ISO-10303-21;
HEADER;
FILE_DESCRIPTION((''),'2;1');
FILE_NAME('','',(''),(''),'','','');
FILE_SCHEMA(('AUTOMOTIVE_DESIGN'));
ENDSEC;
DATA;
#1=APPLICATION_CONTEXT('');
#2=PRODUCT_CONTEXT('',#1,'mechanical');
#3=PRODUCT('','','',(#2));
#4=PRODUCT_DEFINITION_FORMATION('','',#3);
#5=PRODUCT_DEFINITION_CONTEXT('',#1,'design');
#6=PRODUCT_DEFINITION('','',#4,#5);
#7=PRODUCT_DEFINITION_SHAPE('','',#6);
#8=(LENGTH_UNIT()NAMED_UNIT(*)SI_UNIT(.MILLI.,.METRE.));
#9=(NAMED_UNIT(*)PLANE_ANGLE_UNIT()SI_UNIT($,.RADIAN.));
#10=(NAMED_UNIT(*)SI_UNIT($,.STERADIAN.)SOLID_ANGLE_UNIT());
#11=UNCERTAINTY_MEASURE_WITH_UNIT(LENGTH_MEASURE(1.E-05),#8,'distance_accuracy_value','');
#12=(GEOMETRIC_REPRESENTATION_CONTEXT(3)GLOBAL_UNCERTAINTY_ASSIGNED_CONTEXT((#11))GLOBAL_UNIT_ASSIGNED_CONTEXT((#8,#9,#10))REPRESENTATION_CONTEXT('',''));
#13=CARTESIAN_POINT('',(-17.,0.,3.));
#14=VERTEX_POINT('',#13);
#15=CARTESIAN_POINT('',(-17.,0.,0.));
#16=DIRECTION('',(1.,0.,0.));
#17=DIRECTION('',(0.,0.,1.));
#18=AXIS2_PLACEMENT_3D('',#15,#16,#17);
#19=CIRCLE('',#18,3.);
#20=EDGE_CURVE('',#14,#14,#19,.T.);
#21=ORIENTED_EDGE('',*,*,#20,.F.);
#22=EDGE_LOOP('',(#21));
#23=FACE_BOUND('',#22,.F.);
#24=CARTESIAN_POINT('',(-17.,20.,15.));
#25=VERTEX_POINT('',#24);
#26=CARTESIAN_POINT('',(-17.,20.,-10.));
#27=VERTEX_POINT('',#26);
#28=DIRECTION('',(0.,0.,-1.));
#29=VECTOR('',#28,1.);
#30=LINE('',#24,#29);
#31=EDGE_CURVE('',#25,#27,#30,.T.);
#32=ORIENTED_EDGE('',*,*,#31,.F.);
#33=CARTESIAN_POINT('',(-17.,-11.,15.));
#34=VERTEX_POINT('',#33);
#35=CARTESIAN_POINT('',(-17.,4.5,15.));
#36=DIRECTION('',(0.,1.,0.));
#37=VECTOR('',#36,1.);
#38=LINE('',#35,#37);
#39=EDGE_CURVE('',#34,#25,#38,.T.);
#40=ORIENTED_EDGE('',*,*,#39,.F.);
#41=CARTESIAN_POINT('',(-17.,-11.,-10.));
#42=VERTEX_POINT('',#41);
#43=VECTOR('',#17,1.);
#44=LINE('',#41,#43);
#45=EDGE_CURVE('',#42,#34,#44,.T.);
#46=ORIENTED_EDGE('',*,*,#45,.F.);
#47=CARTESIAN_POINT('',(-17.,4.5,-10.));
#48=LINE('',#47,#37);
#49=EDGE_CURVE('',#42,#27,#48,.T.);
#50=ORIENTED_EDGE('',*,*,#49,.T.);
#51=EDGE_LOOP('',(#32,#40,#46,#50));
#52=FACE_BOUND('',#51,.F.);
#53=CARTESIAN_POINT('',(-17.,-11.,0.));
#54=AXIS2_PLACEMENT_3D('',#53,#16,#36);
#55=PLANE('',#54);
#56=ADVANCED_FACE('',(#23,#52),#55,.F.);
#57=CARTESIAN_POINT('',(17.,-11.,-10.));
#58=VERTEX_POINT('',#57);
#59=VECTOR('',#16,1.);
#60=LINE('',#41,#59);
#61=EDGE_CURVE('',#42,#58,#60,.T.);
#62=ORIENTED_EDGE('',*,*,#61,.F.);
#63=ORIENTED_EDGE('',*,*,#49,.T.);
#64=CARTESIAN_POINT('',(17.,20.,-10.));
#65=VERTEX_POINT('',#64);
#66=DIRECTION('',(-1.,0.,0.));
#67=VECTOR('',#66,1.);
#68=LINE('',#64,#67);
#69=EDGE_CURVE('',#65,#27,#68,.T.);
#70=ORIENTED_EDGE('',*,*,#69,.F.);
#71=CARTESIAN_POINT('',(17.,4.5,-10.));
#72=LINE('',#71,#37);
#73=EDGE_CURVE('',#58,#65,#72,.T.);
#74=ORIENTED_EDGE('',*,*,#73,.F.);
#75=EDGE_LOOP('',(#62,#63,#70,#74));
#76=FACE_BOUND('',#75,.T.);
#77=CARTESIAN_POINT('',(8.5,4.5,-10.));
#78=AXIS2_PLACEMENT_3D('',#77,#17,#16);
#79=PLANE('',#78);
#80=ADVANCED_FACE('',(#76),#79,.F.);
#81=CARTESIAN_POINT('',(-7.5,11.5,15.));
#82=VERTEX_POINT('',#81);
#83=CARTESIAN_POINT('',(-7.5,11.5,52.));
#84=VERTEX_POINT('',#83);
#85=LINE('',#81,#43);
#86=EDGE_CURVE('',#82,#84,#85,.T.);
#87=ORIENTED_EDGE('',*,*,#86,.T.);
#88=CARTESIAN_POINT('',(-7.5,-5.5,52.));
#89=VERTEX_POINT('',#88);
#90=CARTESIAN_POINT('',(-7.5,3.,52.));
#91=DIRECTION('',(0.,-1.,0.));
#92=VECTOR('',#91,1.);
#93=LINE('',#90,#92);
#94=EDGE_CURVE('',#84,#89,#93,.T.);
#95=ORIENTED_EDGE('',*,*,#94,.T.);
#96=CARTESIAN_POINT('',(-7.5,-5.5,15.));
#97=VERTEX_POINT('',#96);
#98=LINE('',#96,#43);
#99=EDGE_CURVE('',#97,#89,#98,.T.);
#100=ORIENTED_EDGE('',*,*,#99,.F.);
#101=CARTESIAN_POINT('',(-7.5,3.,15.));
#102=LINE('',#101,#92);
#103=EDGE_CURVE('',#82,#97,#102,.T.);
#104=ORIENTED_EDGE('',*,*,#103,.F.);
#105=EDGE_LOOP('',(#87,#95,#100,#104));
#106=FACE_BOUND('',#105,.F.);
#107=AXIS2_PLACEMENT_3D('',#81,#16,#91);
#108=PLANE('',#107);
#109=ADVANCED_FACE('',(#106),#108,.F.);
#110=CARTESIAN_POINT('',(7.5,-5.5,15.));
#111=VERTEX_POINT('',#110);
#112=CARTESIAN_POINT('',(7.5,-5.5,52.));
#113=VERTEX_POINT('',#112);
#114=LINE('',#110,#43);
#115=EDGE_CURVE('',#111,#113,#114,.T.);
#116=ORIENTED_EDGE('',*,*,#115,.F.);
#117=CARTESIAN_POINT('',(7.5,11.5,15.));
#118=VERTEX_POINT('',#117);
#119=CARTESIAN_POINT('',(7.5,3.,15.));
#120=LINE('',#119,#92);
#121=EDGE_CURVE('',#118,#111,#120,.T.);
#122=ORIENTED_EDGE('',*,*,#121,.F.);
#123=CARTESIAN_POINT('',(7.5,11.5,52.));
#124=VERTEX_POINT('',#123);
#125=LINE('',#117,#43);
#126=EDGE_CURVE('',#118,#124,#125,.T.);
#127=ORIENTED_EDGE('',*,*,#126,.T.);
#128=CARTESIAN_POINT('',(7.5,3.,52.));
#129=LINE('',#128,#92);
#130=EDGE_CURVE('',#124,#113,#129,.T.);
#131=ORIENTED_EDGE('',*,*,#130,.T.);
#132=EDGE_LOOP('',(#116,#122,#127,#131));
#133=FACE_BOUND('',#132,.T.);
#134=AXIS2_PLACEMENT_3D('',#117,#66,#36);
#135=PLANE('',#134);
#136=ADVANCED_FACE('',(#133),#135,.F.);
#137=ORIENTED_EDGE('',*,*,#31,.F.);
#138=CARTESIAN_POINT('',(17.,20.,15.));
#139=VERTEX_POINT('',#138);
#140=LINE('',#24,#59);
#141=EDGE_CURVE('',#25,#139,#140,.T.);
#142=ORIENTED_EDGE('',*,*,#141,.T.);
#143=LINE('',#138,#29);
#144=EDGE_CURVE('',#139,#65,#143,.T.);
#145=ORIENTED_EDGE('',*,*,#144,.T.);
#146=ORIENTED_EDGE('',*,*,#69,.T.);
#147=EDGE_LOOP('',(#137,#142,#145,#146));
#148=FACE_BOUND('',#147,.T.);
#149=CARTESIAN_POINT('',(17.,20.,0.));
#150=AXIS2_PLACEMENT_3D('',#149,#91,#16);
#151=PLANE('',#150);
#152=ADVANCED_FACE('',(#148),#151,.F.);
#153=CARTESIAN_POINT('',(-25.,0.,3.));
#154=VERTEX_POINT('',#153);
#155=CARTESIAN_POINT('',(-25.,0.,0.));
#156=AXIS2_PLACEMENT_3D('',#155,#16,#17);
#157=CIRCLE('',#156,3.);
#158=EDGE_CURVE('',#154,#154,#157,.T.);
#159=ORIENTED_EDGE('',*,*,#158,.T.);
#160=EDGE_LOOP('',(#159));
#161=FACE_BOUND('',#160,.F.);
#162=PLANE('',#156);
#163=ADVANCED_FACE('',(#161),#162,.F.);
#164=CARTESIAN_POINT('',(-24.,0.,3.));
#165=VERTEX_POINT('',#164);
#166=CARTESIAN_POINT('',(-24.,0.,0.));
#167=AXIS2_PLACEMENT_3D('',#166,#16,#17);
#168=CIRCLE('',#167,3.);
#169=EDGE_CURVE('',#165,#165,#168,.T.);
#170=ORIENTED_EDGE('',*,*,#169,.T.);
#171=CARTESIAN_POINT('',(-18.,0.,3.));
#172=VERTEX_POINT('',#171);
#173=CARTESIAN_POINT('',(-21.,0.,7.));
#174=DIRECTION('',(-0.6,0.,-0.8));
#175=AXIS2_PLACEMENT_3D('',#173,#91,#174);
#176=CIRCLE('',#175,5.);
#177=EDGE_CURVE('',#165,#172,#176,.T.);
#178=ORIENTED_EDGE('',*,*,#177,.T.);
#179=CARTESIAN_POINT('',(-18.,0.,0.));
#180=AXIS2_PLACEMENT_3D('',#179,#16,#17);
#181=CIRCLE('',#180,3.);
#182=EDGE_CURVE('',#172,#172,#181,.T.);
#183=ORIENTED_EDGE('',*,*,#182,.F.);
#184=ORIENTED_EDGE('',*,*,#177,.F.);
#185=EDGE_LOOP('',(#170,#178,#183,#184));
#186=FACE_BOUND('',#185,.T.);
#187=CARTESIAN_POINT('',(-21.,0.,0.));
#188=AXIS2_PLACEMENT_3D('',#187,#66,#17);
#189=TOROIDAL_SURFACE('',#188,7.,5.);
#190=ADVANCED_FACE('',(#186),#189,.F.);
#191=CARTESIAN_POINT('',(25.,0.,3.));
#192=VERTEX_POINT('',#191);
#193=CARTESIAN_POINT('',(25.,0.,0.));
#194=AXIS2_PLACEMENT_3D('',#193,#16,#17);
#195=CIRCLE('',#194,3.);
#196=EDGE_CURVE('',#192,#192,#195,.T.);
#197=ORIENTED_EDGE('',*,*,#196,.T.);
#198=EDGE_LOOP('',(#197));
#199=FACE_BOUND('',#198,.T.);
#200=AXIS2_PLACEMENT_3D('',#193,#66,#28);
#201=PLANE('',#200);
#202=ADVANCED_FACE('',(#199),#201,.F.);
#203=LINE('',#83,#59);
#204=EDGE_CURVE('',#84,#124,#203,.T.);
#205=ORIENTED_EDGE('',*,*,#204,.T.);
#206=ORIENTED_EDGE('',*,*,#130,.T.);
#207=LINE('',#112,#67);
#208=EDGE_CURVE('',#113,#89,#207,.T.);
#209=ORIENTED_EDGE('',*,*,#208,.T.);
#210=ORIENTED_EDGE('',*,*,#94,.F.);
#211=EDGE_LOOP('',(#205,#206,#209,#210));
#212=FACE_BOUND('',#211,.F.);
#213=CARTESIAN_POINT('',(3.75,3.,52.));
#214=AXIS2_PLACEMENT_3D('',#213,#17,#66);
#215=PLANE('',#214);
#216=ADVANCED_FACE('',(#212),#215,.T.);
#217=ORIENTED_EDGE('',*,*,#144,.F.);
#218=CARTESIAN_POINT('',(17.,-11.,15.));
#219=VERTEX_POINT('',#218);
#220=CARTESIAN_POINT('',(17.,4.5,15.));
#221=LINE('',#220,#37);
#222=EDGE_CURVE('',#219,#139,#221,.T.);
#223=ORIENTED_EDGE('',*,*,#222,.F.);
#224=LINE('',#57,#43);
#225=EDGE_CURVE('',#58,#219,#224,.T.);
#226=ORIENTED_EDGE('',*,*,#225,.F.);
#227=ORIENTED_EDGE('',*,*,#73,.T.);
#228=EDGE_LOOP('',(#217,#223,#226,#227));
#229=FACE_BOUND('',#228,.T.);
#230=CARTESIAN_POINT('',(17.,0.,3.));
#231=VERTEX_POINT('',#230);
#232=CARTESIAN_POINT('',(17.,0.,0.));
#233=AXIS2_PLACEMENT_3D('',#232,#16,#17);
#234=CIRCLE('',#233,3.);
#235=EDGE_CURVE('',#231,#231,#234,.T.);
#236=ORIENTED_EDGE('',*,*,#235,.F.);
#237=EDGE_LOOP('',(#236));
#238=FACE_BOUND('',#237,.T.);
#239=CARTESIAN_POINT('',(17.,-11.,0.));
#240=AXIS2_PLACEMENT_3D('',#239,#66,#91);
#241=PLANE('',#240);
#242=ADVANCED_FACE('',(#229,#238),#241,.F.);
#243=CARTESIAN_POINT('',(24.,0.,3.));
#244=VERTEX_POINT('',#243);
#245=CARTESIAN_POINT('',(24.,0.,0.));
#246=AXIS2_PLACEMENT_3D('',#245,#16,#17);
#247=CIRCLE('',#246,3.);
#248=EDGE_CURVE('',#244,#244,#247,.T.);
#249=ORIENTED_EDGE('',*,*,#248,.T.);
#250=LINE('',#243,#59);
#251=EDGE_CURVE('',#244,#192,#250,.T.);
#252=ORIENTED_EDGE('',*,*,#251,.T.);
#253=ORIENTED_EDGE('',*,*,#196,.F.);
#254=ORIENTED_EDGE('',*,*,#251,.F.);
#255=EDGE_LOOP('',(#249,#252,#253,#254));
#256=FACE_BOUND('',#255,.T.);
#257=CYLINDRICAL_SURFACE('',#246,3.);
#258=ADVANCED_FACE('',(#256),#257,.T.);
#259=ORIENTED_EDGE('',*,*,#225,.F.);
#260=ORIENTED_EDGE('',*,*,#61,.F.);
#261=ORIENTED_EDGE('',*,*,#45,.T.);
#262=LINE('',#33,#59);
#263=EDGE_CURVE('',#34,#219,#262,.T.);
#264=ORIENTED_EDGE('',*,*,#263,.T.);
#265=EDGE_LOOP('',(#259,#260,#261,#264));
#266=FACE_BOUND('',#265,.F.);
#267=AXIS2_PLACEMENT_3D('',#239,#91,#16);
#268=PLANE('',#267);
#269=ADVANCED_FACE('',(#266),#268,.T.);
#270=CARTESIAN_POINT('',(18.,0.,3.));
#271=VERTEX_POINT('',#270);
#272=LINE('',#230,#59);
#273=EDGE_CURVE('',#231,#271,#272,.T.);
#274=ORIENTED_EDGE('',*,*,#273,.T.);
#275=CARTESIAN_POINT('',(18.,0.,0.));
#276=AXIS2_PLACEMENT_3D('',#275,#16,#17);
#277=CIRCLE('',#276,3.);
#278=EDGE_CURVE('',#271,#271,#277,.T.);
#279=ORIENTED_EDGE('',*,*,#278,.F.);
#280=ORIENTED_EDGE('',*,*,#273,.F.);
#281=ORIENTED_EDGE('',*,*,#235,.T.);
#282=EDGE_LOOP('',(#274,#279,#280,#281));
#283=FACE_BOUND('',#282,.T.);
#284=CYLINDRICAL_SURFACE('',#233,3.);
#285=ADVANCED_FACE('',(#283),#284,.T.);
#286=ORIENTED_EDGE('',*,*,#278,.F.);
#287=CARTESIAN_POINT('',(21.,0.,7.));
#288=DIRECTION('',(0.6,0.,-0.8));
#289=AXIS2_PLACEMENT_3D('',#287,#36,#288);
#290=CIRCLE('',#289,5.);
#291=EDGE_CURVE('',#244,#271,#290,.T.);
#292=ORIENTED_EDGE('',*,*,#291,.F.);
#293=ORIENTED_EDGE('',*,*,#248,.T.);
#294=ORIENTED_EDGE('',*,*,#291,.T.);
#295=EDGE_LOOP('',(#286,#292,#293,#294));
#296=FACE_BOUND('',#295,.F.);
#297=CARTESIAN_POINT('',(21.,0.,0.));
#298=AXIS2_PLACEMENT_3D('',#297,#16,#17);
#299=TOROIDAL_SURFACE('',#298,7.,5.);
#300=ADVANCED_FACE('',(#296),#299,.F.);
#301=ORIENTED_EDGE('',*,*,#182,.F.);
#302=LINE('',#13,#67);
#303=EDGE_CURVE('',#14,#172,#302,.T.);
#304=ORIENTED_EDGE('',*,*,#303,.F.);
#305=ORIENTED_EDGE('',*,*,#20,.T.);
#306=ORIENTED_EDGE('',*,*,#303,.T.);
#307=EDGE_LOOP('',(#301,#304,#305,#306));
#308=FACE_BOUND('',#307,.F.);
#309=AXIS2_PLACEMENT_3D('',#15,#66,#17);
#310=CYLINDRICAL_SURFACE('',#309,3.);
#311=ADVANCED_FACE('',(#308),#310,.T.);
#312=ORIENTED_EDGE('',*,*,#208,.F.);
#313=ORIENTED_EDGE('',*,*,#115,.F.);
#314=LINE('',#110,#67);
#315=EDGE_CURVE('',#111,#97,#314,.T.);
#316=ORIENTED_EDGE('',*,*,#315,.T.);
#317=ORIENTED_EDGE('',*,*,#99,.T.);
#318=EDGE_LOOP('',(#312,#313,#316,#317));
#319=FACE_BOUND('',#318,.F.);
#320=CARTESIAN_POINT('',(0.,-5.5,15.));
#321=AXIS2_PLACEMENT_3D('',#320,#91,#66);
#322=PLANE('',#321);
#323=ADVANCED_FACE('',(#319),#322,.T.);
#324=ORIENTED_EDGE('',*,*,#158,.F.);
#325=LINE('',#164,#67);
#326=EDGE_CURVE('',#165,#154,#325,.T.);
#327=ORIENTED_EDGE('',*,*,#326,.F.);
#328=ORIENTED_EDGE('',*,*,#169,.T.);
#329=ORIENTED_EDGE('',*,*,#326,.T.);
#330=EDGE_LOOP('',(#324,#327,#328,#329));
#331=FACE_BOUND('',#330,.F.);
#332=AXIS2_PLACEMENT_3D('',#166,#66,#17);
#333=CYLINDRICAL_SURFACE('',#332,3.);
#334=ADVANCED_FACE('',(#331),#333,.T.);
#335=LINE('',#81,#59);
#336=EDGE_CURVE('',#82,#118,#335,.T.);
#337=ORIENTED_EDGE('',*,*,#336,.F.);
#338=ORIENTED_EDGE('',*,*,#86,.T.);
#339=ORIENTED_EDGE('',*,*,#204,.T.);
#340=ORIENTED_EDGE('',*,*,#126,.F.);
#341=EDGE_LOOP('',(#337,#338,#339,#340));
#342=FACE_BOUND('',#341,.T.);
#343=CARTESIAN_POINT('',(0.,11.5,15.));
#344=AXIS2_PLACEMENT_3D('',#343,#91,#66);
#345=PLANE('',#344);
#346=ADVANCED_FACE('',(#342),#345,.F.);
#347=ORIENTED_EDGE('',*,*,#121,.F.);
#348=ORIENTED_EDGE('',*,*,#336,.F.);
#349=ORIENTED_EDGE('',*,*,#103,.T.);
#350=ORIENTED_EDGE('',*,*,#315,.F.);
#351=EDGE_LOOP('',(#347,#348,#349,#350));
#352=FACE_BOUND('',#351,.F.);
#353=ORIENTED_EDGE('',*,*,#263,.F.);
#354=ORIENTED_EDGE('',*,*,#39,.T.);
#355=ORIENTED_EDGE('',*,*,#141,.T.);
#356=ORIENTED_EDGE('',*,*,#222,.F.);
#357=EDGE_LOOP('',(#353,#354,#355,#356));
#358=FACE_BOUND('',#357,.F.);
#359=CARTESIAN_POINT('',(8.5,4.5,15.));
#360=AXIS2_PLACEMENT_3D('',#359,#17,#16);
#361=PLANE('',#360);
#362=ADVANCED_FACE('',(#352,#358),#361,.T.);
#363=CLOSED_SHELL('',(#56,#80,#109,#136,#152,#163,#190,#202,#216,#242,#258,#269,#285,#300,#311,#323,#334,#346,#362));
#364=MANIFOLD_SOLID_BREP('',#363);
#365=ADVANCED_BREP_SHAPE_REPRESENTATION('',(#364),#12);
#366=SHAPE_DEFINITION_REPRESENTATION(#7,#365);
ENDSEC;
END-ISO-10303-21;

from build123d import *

# Parameters (mm, degrees)
SKETCH016_W       = 17
SKETCH016_H       = 31
PAD011_DEPTH      = 15
PAD011_DEPTH_BACK = 10
SKETCH017_W       = 7.5
SKETCH017_H       = 17
PAD012_DEPTH      = 37


with BuildPart() as part:
    # Sketch014 → Revolution002 (revolve)
    with BuildSketch(Plane.XZ):
        with BuildLine():
            Line((-24, 3), (-25, 3))
            Line((-25, 3), (-25, 0))
            Line((-25, 0), (-17, 0))
            Line((-17, 0), (-17, 3))
            Line((-17, 3), (-18, 3))
            ThreePointArc((-24, 3), (-21, 2), (-18, 3))
        make_face()
    revolve(axis=Axis((0, 0, 0), (1, 0, 0)))

    # Sketch016 → Pad011 (new body, two sides)
    with BuildSketch(Plane.XY) as pad011_sk:
        with Locations((-8.5, 4.5)):
            Rectangle(SKETCH016_W, SKETCH016_H)
    extrude(amount=PAD011_DEPTH)
    extrude(pad011_sk.sketch, amount=-PAD011_DEPTH_BACK)

    # Sketch017 (on Face8 of Pad011) → Pad012 (join)
    with BuildSketch(Plane(origin=(0, 0, 15), x_dir=(-1, 0, 0), z_dir=(0, 0, 1))):
        with Locations((3.75, -3)):
            Rectangle(SKETCH017_W, SKETCH017_H)
    extrude(amount=PAD012_DEPTH)

    # Mirrored002: part across YZ


with BuildPart() as part_1:
    add(part.part)
    add(part.part.mirror(Plane.YZ))


solid = part_1.part
